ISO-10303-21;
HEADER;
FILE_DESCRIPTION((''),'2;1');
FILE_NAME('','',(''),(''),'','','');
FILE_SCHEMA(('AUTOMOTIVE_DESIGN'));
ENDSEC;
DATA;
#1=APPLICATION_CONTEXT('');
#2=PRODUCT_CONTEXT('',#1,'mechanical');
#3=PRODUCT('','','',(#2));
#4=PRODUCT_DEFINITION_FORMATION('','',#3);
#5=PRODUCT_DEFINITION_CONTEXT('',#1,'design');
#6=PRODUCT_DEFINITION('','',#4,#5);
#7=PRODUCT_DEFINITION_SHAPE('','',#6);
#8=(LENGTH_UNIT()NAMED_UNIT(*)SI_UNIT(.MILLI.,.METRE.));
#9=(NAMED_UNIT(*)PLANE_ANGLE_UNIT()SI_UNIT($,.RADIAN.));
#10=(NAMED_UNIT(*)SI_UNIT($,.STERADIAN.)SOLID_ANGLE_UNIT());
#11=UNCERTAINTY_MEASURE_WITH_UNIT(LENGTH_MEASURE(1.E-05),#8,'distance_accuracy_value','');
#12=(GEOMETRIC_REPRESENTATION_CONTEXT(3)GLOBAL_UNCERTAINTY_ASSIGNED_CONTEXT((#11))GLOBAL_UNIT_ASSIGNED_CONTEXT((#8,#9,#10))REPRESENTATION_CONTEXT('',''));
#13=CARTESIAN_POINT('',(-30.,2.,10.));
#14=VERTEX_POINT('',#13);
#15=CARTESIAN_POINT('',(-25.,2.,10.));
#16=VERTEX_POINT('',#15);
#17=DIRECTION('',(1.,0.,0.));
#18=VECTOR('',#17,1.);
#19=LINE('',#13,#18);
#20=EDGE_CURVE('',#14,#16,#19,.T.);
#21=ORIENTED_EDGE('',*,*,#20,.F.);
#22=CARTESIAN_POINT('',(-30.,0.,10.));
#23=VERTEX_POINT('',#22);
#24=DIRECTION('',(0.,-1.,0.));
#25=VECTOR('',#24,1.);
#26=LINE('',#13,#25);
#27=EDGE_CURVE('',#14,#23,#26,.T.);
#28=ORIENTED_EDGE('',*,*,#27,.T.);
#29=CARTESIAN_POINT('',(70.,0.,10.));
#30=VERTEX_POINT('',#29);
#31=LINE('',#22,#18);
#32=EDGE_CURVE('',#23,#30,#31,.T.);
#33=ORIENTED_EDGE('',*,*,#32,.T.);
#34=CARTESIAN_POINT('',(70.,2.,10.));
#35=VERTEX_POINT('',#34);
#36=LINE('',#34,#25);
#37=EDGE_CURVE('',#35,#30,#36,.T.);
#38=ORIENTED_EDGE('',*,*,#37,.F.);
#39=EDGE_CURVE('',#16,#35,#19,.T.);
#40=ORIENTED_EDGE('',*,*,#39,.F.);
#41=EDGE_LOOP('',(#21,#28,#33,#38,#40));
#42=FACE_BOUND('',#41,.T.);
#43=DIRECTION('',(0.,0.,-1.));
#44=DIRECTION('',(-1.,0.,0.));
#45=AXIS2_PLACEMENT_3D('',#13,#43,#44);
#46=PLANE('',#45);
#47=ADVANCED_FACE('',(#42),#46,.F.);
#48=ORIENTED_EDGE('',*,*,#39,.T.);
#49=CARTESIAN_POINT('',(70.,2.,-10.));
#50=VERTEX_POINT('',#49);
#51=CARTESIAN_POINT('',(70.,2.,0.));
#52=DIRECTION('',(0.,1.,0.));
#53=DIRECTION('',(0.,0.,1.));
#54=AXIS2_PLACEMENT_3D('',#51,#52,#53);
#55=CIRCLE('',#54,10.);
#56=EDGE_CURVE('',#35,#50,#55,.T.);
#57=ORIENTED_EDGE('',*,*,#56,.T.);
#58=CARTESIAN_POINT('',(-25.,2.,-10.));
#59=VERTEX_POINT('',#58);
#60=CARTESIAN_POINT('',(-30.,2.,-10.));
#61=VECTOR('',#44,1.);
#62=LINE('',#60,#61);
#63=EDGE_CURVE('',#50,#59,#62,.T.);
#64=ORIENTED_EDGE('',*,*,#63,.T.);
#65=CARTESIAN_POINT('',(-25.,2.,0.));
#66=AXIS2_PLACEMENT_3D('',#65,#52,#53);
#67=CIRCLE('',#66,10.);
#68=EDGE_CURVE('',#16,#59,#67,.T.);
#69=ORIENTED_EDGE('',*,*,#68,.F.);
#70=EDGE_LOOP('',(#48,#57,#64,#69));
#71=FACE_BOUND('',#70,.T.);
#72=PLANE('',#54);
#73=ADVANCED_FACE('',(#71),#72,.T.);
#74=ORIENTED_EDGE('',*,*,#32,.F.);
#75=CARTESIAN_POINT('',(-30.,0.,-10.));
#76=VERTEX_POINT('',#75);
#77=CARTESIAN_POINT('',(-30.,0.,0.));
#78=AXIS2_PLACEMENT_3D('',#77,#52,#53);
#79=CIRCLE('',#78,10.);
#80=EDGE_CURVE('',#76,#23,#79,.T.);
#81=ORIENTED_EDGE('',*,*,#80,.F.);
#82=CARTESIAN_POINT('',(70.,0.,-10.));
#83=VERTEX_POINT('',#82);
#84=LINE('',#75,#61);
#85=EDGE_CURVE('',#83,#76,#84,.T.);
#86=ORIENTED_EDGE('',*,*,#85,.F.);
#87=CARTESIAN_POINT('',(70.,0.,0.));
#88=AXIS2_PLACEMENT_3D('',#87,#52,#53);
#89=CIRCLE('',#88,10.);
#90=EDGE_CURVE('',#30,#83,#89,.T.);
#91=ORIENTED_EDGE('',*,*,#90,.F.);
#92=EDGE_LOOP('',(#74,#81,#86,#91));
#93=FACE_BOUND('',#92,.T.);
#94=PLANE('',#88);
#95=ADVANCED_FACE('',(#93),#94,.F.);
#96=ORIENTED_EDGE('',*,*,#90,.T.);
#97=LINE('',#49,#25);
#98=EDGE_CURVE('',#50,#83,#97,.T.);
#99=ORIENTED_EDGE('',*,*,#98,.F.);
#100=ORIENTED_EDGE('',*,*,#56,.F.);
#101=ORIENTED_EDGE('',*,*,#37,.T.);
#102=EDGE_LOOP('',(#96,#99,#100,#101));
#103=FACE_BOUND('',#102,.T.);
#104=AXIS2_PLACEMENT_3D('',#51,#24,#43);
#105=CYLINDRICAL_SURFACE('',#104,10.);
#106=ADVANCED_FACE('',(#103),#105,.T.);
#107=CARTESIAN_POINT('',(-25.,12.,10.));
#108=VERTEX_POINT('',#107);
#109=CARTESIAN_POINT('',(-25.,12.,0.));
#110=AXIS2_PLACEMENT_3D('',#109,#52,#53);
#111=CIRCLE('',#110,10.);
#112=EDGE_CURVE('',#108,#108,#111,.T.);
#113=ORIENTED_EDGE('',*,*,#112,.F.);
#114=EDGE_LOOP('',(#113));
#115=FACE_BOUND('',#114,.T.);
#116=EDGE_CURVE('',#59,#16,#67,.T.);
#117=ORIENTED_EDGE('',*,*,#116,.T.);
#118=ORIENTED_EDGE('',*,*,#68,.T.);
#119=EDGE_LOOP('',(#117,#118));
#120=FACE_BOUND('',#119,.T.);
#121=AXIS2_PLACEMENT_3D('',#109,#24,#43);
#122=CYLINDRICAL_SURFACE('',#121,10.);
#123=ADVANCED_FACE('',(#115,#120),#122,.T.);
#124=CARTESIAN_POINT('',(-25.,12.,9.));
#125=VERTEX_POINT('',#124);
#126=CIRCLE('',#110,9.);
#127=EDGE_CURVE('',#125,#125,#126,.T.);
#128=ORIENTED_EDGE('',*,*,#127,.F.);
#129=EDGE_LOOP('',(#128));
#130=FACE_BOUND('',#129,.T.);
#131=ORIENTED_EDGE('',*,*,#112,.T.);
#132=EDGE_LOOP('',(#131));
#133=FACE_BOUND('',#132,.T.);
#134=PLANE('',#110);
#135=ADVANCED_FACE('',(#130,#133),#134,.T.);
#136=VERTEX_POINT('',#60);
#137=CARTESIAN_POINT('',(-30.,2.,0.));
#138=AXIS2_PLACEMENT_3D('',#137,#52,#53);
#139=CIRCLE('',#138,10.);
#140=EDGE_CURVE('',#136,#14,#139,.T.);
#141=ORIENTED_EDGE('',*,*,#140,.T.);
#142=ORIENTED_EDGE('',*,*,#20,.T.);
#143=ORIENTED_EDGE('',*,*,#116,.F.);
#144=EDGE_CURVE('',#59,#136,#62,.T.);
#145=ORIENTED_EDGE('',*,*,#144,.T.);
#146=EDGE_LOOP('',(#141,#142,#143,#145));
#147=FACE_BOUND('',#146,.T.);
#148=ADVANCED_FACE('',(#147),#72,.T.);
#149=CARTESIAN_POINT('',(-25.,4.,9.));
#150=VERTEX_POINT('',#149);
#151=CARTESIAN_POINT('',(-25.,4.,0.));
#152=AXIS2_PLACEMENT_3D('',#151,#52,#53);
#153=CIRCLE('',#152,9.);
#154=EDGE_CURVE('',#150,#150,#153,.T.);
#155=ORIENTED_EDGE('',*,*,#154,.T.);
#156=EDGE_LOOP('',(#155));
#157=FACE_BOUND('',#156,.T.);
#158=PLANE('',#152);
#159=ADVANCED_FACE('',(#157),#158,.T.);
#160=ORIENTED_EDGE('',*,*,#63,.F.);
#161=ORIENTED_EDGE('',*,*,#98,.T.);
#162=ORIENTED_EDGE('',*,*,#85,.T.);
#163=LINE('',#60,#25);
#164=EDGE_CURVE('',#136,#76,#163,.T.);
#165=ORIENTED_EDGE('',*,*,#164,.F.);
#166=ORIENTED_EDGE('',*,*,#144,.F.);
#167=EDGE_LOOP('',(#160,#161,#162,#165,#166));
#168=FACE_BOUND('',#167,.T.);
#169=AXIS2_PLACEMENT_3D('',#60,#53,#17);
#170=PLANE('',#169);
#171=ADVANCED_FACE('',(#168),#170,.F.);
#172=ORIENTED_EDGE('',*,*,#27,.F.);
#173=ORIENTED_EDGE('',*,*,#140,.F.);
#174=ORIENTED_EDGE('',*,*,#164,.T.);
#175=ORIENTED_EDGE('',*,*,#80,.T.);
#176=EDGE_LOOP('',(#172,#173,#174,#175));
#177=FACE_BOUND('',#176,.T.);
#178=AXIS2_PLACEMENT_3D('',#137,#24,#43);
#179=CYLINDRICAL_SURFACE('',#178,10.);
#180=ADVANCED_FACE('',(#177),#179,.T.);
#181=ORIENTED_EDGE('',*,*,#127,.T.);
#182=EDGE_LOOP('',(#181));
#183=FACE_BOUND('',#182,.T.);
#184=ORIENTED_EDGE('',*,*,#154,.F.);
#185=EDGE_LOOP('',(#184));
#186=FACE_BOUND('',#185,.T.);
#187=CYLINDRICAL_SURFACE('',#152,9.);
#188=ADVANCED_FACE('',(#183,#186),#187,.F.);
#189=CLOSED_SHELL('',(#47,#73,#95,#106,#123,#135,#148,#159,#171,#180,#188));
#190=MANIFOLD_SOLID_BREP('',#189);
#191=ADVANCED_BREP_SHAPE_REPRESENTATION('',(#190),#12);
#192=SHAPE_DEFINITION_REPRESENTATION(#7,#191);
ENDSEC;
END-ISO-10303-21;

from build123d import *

# Parameters (mm, degrees)
BOSS_EXTRUDE1_DEPTH = 2
SKETCH2_R           = 10
BOSS_EXTRUDE2_DEPTH = 10
SKETCH3_R           = 9
CUT_EXTRUDE1_DEPTH  = 8


with BuildPart() as part:
    # Sketch1 → Boss-Extrude1 (new body)
    with BuildSketch(Plane(origin=(0, 0, 0), x_dir=(1, 0, 0), z_dir=(0, 1, 0))):
        with BuildLine():
            Line((-30, -10), (70, -10))
            ThreePointArc((70, -10), (80, 0), (70, 10))
            Line((70, 10), (-30, 10))
            ThreePointArc((-30, 10), (-40, 0), (-30, -10))
        make_face()
    extrude(amount=BOSS_EXTRUDE1_DEPTH)

    # Sketch2 → Boss-Extrude2 (add)
    with BuildSketch(Plane(origin=(0, 2, 0), x_dir=(1, 0, 0), z_dir=(0, 1, 0))):
        with Locations(Location((-25, 0, 0), (0, 0, 270))):
            Circle(SKETCH2_R)
    extrude(amount=BOSS_EXTRUDE2_DEPTH)

    # Sketch3 → Cut-Extrude1 (cut)
    with BuildSketch(Plane(origin=(0, 12, 0), x_dir=(1, 0, 0), z_dir=(0, 1, 0))):
        with Locations(Location((-25, 0, 0), (0, 0, 270))):
            Circle(SKETCH3_R)
    extrude(amount=-CUT_EXTRUDE1_DEPTH, mode=Mode.SUBTRACT)


solid = part.part
